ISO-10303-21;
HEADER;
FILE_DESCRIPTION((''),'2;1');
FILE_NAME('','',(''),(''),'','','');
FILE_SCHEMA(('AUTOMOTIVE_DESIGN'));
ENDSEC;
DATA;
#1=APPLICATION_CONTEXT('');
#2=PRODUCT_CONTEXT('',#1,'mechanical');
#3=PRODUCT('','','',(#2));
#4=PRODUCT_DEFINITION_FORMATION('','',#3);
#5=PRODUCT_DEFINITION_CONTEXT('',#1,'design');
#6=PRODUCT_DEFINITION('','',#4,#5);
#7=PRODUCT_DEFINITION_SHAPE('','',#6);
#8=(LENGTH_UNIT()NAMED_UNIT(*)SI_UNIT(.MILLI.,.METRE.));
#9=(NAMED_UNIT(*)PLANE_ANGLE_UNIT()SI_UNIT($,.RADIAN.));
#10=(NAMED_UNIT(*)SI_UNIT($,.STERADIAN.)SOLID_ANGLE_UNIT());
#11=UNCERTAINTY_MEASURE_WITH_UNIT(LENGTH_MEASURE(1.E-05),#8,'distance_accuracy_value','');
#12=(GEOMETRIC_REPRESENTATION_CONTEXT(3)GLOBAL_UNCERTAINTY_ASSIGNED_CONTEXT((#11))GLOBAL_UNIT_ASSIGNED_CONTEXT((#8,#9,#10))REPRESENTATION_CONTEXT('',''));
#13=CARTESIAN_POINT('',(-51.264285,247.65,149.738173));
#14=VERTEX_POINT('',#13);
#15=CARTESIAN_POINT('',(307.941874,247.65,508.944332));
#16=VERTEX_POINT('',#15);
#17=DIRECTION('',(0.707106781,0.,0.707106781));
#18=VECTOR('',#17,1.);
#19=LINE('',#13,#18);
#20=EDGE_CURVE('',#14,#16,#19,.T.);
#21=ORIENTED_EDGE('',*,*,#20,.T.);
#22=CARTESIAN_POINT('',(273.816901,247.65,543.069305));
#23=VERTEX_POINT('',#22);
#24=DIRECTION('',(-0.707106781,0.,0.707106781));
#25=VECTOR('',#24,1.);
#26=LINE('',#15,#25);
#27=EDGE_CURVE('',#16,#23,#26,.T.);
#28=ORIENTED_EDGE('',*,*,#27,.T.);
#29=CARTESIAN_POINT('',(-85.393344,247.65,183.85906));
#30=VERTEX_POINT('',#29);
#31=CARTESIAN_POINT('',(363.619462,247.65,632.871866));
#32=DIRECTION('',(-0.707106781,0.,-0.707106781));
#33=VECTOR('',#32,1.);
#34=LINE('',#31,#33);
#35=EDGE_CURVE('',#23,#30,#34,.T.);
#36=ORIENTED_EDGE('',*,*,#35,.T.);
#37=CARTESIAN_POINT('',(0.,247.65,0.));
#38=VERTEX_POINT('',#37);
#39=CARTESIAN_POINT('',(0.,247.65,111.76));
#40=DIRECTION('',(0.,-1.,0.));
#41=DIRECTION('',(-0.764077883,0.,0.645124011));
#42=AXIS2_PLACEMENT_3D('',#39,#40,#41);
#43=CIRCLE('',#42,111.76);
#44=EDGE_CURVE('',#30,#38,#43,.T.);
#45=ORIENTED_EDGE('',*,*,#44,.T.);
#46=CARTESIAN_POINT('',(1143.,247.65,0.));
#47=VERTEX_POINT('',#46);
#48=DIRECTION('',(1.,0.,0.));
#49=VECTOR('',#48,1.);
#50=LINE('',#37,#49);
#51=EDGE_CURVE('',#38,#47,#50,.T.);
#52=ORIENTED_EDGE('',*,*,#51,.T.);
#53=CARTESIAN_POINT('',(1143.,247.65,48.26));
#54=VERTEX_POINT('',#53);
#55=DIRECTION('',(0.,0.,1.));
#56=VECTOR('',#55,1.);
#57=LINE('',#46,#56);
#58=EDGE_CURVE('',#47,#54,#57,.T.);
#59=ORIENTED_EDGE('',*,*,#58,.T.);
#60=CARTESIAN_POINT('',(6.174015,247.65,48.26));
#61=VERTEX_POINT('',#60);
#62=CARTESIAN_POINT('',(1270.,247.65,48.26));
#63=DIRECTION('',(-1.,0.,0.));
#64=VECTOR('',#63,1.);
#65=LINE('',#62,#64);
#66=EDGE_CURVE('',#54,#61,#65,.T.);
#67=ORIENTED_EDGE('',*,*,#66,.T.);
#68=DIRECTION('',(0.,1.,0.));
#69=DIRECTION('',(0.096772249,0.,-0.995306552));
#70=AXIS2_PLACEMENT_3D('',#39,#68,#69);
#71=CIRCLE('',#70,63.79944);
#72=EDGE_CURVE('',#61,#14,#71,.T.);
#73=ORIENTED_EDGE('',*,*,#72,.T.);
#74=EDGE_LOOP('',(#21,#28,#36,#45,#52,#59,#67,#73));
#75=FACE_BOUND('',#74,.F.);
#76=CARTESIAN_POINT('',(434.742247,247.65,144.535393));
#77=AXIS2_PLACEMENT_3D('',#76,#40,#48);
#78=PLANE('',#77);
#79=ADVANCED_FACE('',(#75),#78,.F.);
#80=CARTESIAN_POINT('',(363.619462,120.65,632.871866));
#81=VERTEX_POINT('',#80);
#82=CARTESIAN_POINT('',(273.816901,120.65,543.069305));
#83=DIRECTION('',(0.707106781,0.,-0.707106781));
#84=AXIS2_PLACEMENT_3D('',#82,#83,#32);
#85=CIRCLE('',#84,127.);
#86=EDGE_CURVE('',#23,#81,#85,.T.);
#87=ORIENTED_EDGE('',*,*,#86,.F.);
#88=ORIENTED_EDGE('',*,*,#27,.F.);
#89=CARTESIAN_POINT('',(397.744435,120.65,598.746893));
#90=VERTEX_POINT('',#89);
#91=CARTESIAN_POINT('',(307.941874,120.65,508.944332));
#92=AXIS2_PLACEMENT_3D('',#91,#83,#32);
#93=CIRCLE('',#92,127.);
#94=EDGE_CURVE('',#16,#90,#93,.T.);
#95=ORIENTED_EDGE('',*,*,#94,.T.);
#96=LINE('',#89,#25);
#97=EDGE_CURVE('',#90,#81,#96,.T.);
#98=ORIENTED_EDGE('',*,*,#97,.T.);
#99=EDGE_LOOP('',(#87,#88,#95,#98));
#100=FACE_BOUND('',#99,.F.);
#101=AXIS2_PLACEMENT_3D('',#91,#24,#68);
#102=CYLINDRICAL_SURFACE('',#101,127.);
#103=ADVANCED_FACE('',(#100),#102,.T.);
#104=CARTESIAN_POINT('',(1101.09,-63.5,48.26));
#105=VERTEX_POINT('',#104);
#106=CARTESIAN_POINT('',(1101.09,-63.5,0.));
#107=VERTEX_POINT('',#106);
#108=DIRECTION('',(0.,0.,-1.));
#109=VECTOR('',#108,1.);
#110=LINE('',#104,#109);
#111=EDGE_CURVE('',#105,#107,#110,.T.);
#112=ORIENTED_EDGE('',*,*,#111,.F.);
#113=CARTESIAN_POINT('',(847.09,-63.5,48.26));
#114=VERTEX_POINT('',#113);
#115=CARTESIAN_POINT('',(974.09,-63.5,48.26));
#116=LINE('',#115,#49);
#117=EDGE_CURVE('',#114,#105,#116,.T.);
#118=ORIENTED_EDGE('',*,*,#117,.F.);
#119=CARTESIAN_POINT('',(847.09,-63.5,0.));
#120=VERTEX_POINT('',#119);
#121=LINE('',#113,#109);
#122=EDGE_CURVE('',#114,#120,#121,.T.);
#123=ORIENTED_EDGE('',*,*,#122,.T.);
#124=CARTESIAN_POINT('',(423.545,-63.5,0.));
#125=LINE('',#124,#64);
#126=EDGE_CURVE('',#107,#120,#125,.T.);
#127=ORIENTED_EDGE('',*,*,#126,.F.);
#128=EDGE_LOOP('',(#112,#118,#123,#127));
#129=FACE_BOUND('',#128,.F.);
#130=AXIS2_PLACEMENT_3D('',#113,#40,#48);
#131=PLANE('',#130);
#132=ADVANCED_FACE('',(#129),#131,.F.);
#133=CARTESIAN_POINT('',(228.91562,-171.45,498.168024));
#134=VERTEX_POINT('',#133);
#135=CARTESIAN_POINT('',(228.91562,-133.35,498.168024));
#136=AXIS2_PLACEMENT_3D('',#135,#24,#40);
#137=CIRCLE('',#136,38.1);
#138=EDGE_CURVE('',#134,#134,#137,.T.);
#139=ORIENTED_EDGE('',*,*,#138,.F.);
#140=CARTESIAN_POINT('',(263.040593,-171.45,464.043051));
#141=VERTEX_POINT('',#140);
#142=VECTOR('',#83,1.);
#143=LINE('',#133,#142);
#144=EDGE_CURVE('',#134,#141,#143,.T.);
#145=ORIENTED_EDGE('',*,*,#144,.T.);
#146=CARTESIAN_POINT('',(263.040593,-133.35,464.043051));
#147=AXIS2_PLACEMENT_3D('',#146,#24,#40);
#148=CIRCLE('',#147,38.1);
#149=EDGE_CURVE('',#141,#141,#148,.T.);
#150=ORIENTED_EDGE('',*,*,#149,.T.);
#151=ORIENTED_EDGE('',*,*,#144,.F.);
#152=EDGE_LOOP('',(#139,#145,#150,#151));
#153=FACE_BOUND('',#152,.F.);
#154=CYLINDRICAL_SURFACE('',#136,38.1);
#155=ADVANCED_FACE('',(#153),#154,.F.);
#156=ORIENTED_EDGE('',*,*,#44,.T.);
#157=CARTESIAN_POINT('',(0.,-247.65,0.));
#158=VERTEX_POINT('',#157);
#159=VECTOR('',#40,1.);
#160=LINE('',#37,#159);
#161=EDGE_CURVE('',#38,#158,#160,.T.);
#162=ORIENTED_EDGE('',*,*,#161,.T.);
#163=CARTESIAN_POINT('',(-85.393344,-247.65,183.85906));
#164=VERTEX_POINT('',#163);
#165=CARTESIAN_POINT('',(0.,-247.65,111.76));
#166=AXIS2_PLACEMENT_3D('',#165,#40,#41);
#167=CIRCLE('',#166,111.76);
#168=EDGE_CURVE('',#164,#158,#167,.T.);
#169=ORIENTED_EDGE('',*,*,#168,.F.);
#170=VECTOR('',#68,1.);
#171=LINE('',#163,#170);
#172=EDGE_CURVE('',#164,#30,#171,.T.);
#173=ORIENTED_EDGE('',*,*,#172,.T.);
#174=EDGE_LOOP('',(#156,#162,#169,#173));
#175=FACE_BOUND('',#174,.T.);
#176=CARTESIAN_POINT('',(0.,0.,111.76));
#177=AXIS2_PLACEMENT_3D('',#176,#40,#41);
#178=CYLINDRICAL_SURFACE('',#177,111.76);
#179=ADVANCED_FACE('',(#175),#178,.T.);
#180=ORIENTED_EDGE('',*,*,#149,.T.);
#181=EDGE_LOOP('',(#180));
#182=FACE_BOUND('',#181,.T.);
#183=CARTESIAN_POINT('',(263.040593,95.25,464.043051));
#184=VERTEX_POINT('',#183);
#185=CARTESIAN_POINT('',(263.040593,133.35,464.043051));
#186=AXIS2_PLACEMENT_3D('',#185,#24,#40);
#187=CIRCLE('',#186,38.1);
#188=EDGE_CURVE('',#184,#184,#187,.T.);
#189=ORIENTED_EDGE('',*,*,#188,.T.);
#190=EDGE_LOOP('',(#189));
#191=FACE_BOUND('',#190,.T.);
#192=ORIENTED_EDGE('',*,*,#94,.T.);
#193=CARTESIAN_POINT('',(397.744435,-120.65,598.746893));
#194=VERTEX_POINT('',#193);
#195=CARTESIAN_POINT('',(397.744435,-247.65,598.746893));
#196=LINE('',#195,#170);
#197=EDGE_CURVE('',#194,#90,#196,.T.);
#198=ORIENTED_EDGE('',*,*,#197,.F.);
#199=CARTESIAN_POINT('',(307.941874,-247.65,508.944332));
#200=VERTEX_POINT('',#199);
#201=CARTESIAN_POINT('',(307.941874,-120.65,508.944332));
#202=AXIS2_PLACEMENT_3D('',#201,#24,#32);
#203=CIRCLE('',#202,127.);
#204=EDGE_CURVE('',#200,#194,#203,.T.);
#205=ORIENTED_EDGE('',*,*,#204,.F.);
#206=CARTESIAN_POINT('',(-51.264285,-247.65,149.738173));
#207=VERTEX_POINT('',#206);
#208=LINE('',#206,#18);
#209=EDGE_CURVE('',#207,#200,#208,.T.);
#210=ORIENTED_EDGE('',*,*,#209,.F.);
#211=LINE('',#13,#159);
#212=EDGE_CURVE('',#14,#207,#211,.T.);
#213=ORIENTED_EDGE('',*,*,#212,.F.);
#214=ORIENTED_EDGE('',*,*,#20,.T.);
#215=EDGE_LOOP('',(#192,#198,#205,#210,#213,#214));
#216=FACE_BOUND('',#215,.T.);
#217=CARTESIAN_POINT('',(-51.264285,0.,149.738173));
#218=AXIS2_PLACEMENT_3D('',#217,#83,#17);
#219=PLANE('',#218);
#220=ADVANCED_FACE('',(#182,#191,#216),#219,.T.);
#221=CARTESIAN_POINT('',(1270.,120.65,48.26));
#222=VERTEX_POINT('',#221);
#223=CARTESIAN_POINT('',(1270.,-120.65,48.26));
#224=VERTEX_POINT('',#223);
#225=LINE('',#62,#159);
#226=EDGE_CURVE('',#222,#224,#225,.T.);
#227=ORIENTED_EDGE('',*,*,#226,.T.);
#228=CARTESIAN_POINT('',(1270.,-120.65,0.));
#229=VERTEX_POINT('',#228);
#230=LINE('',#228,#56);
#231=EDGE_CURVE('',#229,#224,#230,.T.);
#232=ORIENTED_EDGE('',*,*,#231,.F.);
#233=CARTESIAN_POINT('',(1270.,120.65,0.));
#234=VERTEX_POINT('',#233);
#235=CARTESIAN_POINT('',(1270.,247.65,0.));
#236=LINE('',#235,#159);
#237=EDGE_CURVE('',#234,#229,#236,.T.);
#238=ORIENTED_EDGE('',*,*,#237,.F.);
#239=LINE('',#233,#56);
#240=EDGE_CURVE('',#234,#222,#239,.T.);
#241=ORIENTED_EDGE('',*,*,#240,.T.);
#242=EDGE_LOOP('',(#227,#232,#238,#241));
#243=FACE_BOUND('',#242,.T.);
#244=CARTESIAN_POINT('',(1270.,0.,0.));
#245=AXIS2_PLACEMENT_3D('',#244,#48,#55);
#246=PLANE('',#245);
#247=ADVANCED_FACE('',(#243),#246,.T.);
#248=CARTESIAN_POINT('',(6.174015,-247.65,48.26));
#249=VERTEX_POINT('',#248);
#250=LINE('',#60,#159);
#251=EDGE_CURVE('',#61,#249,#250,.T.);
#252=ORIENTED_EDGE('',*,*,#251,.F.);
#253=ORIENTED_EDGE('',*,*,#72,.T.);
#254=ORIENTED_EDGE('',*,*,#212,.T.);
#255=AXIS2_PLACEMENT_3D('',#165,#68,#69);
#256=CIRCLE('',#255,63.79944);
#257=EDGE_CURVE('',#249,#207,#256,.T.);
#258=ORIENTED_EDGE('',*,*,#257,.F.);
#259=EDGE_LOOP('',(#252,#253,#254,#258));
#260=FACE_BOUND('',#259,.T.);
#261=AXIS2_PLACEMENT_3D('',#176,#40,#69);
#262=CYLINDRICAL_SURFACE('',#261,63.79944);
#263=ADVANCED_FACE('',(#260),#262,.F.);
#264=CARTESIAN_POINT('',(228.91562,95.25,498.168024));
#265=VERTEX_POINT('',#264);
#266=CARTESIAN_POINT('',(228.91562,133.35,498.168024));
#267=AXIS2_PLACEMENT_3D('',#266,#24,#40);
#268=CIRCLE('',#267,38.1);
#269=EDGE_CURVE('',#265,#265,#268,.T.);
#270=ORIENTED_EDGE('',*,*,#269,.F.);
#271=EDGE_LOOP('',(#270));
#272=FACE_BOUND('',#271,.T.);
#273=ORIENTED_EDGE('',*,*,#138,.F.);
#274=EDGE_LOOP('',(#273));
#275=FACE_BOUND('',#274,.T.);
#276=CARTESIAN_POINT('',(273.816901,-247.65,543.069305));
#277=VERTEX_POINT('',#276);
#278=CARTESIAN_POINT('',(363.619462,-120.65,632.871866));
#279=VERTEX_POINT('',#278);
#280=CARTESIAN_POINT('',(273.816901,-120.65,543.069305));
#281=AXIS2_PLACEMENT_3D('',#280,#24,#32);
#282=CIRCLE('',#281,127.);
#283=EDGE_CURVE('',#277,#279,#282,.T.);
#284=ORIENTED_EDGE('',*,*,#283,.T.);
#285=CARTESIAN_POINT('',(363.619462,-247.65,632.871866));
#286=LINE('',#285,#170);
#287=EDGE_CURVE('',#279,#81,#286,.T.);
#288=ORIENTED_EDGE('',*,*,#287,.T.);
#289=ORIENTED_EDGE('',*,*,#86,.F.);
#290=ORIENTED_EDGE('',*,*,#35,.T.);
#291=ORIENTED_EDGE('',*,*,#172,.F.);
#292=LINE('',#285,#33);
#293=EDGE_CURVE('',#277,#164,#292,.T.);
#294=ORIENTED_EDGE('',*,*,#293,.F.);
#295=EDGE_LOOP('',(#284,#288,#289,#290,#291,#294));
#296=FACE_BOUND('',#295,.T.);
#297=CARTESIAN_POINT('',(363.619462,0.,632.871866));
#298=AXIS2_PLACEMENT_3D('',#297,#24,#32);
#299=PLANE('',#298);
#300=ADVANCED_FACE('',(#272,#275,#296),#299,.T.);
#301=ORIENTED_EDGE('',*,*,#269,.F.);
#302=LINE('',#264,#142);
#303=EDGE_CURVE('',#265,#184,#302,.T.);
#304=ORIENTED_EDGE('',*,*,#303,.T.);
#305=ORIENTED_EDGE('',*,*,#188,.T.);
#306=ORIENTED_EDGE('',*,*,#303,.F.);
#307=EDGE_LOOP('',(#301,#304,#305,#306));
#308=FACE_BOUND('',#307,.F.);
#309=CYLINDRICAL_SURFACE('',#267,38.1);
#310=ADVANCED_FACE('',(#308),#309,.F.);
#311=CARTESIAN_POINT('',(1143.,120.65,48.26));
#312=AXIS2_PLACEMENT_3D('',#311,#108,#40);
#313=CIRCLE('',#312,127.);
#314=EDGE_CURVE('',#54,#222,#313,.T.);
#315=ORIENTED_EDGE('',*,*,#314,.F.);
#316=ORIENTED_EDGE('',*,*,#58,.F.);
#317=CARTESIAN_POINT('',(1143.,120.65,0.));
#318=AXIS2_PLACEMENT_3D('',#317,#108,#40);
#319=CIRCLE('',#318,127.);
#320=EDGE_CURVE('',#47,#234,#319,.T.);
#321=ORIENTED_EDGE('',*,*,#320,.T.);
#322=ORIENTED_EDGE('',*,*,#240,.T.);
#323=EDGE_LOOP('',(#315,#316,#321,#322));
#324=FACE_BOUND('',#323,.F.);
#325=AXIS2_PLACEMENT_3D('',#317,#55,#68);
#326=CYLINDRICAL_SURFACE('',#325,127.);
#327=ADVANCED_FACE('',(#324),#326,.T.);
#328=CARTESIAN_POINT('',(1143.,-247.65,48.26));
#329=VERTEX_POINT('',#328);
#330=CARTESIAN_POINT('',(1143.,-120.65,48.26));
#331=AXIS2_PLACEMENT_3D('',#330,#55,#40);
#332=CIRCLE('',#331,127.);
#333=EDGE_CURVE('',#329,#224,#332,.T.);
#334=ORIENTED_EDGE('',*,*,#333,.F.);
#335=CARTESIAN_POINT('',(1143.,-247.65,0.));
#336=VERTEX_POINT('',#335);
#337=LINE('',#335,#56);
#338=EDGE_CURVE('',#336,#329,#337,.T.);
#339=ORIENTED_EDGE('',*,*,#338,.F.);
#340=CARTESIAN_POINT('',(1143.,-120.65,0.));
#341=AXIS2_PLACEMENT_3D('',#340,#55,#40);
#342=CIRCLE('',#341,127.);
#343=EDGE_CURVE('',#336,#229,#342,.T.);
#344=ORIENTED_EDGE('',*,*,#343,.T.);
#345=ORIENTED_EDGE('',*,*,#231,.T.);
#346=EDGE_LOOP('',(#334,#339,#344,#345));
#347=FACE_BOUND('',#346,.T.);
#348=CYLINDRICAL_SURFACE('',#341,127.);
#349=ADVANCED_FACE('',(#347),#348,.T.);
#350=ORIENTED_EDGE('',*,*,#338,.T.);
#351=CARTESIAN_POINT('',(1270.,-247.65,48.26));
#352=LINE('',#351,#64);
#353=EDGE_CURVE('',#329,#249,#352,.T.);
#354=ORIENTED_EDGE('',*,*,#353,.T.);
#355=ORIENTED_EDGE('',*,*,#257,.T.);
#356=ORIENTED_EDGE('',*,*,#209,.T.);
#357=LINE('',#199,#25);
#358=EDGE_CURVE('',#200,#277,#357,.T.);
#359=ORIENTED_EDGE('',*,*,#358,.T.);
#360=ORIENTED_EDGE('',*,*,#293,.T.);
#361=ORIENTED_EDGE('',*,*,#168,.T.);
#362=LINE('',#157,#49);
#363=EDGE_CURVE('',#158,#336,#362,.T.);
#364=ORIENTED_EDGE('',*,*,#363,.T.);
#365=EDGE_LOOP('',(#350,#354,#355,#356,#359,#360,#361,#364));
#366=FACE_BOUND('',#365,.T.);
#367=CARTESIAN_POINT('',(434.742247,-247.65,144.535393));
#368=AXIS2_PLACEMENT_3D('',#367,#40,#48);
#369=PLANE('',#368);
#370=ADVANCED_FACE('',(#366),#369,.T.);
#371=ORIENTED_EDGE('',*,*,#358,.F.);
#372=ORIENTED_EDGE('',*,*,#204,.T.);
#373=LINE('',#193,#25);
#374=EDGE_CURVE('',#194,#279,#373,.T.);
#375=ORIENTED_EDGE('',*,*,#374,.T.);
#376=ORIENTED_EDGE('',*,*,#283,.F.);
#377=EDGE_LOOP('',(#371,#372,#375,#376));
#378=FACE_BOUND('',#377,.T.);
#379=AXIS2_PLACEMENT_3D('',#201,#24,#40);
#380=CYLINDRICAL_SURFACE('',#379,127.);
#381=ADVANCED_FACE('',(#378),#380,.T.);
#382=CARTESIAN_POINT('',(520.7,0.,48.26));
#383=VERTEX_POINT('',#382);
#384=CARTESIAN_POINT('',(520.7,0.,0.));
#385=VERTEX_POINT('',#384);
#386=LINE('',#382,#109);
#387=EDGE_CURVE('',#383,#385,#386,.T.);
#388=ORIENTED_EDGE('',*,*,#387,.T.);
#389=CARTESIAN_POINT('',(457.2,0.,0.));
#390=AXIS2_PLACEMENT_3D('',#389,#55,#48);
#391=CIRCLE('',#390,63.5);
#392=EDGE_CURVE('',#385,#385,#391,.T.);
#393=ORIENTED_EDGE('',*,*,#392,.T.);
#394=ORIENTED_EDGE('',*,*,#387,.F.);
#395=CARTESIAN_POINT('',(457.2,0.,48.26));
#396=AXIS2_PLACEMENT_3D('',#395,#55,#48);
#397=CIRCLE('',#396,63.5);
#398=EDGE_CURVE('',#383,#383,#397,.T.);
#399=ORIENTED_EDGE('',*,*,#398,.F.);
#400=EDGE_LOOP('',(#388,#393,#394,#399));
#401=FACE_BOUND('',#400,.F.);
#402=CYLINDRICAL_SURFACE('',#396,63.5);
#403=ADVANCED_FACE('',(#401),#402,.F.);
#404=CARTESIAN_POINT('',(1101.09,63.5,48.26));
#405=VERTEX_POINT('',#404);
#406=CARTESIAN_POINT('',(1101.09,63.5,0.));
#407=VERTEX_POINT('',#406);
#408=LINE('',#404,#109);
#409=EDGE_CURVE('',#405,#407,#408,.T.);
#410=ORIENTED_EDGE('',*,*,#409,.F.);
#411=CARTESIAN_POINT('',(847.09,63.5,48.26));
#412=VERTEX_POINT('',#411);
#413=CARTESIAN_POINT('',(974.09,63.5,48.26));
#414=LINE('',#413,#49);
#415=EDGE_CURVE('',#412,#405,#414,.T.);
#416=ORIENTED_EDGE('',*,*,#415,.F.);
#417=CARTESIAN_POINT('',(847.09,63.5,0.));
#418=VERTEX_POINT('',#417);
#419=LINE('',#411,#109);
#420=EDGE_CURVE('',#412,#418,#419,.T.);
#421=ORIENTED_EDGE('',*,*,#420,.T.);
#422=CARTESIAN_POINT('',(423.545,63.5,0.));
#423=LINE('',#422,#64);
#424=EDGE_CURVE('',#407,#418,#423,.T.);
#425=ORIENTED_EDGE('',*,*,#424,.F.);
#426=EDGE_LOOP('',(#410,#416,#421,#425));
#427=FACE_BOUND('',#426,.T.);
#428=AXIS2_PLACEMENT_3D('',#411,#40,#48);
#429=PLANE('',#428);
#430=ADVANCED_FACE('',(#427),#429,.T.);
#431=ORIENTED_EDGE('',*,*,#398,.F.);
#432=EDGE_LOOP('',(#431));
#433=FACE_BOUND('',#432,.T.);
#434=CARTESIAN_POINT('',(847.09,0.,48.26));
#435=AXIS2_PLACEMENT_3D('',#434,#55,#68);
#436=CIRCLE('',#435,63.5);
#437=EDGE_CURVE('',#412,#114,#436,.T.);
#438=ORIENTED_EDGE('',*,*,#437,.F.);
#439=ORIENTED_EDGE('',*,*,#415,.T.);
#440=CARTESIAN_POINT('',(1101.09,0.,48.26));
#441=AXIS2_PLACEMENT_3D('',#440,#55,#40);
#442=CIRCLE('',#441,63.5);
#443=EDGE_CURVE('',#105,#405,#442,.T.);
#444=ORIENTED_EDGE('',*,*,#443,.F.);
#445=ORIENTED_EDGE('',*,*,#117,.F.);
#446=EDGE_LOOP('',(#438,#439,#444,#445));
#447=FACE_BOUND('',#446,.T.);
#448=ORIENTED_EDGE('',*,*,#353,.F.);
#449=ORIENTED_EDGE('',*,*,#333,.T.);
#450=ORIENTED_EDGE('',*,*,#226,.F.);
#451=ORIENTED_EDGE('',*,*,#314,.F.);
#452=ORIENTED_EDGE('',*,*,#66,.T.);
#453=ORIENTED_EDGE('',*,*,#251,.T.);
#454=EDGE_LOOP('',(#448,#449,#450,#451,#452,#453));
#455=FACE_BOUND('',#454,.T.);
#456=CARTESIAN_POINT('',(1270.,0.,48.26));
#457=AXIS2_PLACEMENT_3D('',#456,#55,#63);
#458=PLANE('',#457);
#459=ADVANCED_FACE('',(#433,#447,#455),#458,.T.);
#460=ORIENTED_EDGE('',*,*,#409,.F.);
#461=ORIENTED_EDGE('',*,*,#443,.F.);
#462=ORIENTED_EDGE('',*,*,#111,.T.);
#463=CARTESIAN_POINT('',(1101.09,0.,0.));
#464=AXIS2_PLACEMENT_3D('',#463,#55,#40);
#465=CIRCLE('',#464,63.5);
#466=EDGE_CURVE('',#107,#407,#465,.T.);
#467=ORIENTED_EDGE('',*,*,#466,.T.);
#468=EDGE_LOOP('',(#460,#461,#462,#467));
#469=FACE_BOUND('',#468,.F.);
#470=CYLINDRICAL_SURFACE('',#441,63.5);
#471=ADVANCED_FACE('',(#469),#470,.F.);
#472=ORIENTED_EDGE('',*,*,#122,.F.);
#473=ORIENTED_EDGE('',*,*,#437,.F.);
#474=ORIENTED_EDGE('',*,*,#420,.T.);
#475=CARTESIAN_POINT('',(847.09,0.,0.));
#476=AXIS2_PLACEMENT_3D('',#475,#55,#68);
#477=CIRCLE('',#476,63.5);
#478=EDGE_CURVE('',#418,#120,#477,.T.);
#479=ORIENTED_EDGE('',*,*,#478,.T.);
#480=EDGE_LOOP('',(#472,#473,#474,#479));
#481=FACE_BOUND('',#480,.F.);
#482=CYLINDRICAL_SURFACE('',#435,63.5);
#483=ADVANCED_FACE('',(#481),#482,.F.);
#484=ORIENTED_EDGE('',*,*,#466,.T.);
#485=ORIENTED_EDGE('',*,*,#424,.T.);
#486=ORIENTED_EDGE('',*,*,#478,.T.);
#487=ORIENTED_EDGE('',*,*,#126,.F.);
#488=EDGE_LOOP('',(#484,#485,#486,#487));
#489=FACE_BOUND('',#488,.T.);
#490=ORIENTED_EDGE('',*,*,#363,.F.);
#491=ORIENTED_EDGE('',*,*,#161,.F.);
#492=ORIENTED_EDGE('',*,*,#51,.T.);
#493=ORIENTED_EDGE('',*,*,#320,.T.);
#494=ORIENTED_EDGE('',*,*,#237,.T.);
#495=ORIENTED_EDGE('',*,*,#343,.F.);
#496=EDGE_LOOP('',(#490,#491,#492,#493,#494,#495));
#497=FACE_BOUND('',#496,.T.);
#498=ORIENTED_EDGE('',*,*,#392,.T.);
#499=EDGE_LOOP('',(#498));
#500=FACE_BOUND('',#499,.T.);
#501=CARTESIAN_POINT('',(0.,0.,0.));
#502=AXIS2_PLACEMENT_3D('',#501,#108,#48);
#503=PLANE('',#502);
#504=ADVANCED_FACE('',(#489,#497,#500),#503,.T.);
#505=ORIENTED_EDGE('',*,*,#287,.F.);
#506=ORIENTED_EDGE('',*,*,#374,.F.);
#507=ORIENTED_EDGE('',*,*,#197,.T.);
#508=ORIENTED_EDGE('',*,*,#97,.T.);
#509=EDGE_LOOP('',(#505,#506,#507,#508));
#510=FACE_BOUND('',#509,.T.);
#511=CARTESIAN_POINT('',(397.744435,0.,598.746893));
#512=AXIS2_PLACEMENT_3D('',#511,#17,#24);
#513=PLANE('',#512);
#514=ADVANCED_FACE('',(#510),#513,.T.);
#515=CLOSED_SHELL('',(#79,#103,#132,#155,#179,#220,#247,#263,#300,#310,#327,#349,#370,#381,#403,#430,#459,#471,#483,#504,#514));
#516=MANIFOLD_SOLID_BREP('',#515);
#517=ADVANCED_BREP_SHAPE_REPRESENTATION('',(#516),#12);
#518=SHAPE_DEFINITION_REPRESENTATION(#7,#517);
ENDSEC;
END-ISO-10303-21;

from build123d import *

# Parameters (mm, degrees)
F1_DEPTH = 247.65
F2_R     = 63.5
F2_W     = 254
F2_H     = 127
F3_DEPTH = 48.261
F4_R     = 38.1
F5_DEPTH = 218.44
F6_R     = 127


with BuildPart() as f1:
    # F0 (on Front) → F1 (new body, symmetric)
    with BuildSketch(Plane.XZ):
        with BuildLine():
            ThreePointArc((-85.393344, 183.85906), (-101.36096, 64.6829), (0, 0))
            Line((0, 0), (1270, 0))
            Line((1270, 0), (1270, 48.26))
            Line((1270, 48.26), (6.174015, 48.26))
            ThreePointArc((6.174015, 48.26), (-55.52241, 80.333411), (-51.264285, 149.738173))
            Line((-51.264285, 149.738173), (397.744435, 598.746893))
            Line((397.744435, 598.746893), (363.619462, 632.871866))
            Line((363.619462, 632.871866), (-85.393344, 183.85906))
        make_face()
    extrude(amount=F1_DEPTH, both=True)

    # F2 (on face) → F3 (cut, through all)
    with BuildSketch(Plane.XY.offset(48.26)):
        with Locations((457.2, 0)):
            Circle(F2_R)
        with Locations((974.09, 0)):
            Rectangle(F2_W, F2_H)
        with BuildLine():
            Line((847.09, -63.5), (847.09, 63.5))
            ThreePointArc((847.09, 63.5), (783.59, 0), (847.09, -63.5))
        make_face()
        with BuildLine():
            ThreePointArc((1101.09, -63.5), (1164.59, 0), (1101.09, 63.5))
            Line((1101.09, 63.5), (1101.09, -63.5))
        make_face()
    extrude(amount=-F3_DEPTH, mode=Mode.SUBTRACT)

    # F4 (on face) → F5 (cut)
    with BuildSketch(Plane(origin=(-134.626202, 0, 134.626202), x_dir=(0, -1, 0), z_dir=(-0.707107, 0, 0.707107))):
        with Locations((-133.35, 514.125775)):
            Circle(F4_R)
        with Locations((133.35, 514.125775)):
            Circle(F4_R)
    extrude(amount=-F5_DEPTH, mode=Mode.SUBTRACT)

    # F6
    f6_edges = [f1.edges().sort_by_distance(p)[0] for p in [
        (380.681949, -247.65, 615.809379),
        (380.681949, 247.65, 615.809379),
        (1270, 247.65, 24.13),
        (1270, -247.65, 24.13),
    ]]
    fillet(f6_edges, radius=F6_R)


solid = f1.part
